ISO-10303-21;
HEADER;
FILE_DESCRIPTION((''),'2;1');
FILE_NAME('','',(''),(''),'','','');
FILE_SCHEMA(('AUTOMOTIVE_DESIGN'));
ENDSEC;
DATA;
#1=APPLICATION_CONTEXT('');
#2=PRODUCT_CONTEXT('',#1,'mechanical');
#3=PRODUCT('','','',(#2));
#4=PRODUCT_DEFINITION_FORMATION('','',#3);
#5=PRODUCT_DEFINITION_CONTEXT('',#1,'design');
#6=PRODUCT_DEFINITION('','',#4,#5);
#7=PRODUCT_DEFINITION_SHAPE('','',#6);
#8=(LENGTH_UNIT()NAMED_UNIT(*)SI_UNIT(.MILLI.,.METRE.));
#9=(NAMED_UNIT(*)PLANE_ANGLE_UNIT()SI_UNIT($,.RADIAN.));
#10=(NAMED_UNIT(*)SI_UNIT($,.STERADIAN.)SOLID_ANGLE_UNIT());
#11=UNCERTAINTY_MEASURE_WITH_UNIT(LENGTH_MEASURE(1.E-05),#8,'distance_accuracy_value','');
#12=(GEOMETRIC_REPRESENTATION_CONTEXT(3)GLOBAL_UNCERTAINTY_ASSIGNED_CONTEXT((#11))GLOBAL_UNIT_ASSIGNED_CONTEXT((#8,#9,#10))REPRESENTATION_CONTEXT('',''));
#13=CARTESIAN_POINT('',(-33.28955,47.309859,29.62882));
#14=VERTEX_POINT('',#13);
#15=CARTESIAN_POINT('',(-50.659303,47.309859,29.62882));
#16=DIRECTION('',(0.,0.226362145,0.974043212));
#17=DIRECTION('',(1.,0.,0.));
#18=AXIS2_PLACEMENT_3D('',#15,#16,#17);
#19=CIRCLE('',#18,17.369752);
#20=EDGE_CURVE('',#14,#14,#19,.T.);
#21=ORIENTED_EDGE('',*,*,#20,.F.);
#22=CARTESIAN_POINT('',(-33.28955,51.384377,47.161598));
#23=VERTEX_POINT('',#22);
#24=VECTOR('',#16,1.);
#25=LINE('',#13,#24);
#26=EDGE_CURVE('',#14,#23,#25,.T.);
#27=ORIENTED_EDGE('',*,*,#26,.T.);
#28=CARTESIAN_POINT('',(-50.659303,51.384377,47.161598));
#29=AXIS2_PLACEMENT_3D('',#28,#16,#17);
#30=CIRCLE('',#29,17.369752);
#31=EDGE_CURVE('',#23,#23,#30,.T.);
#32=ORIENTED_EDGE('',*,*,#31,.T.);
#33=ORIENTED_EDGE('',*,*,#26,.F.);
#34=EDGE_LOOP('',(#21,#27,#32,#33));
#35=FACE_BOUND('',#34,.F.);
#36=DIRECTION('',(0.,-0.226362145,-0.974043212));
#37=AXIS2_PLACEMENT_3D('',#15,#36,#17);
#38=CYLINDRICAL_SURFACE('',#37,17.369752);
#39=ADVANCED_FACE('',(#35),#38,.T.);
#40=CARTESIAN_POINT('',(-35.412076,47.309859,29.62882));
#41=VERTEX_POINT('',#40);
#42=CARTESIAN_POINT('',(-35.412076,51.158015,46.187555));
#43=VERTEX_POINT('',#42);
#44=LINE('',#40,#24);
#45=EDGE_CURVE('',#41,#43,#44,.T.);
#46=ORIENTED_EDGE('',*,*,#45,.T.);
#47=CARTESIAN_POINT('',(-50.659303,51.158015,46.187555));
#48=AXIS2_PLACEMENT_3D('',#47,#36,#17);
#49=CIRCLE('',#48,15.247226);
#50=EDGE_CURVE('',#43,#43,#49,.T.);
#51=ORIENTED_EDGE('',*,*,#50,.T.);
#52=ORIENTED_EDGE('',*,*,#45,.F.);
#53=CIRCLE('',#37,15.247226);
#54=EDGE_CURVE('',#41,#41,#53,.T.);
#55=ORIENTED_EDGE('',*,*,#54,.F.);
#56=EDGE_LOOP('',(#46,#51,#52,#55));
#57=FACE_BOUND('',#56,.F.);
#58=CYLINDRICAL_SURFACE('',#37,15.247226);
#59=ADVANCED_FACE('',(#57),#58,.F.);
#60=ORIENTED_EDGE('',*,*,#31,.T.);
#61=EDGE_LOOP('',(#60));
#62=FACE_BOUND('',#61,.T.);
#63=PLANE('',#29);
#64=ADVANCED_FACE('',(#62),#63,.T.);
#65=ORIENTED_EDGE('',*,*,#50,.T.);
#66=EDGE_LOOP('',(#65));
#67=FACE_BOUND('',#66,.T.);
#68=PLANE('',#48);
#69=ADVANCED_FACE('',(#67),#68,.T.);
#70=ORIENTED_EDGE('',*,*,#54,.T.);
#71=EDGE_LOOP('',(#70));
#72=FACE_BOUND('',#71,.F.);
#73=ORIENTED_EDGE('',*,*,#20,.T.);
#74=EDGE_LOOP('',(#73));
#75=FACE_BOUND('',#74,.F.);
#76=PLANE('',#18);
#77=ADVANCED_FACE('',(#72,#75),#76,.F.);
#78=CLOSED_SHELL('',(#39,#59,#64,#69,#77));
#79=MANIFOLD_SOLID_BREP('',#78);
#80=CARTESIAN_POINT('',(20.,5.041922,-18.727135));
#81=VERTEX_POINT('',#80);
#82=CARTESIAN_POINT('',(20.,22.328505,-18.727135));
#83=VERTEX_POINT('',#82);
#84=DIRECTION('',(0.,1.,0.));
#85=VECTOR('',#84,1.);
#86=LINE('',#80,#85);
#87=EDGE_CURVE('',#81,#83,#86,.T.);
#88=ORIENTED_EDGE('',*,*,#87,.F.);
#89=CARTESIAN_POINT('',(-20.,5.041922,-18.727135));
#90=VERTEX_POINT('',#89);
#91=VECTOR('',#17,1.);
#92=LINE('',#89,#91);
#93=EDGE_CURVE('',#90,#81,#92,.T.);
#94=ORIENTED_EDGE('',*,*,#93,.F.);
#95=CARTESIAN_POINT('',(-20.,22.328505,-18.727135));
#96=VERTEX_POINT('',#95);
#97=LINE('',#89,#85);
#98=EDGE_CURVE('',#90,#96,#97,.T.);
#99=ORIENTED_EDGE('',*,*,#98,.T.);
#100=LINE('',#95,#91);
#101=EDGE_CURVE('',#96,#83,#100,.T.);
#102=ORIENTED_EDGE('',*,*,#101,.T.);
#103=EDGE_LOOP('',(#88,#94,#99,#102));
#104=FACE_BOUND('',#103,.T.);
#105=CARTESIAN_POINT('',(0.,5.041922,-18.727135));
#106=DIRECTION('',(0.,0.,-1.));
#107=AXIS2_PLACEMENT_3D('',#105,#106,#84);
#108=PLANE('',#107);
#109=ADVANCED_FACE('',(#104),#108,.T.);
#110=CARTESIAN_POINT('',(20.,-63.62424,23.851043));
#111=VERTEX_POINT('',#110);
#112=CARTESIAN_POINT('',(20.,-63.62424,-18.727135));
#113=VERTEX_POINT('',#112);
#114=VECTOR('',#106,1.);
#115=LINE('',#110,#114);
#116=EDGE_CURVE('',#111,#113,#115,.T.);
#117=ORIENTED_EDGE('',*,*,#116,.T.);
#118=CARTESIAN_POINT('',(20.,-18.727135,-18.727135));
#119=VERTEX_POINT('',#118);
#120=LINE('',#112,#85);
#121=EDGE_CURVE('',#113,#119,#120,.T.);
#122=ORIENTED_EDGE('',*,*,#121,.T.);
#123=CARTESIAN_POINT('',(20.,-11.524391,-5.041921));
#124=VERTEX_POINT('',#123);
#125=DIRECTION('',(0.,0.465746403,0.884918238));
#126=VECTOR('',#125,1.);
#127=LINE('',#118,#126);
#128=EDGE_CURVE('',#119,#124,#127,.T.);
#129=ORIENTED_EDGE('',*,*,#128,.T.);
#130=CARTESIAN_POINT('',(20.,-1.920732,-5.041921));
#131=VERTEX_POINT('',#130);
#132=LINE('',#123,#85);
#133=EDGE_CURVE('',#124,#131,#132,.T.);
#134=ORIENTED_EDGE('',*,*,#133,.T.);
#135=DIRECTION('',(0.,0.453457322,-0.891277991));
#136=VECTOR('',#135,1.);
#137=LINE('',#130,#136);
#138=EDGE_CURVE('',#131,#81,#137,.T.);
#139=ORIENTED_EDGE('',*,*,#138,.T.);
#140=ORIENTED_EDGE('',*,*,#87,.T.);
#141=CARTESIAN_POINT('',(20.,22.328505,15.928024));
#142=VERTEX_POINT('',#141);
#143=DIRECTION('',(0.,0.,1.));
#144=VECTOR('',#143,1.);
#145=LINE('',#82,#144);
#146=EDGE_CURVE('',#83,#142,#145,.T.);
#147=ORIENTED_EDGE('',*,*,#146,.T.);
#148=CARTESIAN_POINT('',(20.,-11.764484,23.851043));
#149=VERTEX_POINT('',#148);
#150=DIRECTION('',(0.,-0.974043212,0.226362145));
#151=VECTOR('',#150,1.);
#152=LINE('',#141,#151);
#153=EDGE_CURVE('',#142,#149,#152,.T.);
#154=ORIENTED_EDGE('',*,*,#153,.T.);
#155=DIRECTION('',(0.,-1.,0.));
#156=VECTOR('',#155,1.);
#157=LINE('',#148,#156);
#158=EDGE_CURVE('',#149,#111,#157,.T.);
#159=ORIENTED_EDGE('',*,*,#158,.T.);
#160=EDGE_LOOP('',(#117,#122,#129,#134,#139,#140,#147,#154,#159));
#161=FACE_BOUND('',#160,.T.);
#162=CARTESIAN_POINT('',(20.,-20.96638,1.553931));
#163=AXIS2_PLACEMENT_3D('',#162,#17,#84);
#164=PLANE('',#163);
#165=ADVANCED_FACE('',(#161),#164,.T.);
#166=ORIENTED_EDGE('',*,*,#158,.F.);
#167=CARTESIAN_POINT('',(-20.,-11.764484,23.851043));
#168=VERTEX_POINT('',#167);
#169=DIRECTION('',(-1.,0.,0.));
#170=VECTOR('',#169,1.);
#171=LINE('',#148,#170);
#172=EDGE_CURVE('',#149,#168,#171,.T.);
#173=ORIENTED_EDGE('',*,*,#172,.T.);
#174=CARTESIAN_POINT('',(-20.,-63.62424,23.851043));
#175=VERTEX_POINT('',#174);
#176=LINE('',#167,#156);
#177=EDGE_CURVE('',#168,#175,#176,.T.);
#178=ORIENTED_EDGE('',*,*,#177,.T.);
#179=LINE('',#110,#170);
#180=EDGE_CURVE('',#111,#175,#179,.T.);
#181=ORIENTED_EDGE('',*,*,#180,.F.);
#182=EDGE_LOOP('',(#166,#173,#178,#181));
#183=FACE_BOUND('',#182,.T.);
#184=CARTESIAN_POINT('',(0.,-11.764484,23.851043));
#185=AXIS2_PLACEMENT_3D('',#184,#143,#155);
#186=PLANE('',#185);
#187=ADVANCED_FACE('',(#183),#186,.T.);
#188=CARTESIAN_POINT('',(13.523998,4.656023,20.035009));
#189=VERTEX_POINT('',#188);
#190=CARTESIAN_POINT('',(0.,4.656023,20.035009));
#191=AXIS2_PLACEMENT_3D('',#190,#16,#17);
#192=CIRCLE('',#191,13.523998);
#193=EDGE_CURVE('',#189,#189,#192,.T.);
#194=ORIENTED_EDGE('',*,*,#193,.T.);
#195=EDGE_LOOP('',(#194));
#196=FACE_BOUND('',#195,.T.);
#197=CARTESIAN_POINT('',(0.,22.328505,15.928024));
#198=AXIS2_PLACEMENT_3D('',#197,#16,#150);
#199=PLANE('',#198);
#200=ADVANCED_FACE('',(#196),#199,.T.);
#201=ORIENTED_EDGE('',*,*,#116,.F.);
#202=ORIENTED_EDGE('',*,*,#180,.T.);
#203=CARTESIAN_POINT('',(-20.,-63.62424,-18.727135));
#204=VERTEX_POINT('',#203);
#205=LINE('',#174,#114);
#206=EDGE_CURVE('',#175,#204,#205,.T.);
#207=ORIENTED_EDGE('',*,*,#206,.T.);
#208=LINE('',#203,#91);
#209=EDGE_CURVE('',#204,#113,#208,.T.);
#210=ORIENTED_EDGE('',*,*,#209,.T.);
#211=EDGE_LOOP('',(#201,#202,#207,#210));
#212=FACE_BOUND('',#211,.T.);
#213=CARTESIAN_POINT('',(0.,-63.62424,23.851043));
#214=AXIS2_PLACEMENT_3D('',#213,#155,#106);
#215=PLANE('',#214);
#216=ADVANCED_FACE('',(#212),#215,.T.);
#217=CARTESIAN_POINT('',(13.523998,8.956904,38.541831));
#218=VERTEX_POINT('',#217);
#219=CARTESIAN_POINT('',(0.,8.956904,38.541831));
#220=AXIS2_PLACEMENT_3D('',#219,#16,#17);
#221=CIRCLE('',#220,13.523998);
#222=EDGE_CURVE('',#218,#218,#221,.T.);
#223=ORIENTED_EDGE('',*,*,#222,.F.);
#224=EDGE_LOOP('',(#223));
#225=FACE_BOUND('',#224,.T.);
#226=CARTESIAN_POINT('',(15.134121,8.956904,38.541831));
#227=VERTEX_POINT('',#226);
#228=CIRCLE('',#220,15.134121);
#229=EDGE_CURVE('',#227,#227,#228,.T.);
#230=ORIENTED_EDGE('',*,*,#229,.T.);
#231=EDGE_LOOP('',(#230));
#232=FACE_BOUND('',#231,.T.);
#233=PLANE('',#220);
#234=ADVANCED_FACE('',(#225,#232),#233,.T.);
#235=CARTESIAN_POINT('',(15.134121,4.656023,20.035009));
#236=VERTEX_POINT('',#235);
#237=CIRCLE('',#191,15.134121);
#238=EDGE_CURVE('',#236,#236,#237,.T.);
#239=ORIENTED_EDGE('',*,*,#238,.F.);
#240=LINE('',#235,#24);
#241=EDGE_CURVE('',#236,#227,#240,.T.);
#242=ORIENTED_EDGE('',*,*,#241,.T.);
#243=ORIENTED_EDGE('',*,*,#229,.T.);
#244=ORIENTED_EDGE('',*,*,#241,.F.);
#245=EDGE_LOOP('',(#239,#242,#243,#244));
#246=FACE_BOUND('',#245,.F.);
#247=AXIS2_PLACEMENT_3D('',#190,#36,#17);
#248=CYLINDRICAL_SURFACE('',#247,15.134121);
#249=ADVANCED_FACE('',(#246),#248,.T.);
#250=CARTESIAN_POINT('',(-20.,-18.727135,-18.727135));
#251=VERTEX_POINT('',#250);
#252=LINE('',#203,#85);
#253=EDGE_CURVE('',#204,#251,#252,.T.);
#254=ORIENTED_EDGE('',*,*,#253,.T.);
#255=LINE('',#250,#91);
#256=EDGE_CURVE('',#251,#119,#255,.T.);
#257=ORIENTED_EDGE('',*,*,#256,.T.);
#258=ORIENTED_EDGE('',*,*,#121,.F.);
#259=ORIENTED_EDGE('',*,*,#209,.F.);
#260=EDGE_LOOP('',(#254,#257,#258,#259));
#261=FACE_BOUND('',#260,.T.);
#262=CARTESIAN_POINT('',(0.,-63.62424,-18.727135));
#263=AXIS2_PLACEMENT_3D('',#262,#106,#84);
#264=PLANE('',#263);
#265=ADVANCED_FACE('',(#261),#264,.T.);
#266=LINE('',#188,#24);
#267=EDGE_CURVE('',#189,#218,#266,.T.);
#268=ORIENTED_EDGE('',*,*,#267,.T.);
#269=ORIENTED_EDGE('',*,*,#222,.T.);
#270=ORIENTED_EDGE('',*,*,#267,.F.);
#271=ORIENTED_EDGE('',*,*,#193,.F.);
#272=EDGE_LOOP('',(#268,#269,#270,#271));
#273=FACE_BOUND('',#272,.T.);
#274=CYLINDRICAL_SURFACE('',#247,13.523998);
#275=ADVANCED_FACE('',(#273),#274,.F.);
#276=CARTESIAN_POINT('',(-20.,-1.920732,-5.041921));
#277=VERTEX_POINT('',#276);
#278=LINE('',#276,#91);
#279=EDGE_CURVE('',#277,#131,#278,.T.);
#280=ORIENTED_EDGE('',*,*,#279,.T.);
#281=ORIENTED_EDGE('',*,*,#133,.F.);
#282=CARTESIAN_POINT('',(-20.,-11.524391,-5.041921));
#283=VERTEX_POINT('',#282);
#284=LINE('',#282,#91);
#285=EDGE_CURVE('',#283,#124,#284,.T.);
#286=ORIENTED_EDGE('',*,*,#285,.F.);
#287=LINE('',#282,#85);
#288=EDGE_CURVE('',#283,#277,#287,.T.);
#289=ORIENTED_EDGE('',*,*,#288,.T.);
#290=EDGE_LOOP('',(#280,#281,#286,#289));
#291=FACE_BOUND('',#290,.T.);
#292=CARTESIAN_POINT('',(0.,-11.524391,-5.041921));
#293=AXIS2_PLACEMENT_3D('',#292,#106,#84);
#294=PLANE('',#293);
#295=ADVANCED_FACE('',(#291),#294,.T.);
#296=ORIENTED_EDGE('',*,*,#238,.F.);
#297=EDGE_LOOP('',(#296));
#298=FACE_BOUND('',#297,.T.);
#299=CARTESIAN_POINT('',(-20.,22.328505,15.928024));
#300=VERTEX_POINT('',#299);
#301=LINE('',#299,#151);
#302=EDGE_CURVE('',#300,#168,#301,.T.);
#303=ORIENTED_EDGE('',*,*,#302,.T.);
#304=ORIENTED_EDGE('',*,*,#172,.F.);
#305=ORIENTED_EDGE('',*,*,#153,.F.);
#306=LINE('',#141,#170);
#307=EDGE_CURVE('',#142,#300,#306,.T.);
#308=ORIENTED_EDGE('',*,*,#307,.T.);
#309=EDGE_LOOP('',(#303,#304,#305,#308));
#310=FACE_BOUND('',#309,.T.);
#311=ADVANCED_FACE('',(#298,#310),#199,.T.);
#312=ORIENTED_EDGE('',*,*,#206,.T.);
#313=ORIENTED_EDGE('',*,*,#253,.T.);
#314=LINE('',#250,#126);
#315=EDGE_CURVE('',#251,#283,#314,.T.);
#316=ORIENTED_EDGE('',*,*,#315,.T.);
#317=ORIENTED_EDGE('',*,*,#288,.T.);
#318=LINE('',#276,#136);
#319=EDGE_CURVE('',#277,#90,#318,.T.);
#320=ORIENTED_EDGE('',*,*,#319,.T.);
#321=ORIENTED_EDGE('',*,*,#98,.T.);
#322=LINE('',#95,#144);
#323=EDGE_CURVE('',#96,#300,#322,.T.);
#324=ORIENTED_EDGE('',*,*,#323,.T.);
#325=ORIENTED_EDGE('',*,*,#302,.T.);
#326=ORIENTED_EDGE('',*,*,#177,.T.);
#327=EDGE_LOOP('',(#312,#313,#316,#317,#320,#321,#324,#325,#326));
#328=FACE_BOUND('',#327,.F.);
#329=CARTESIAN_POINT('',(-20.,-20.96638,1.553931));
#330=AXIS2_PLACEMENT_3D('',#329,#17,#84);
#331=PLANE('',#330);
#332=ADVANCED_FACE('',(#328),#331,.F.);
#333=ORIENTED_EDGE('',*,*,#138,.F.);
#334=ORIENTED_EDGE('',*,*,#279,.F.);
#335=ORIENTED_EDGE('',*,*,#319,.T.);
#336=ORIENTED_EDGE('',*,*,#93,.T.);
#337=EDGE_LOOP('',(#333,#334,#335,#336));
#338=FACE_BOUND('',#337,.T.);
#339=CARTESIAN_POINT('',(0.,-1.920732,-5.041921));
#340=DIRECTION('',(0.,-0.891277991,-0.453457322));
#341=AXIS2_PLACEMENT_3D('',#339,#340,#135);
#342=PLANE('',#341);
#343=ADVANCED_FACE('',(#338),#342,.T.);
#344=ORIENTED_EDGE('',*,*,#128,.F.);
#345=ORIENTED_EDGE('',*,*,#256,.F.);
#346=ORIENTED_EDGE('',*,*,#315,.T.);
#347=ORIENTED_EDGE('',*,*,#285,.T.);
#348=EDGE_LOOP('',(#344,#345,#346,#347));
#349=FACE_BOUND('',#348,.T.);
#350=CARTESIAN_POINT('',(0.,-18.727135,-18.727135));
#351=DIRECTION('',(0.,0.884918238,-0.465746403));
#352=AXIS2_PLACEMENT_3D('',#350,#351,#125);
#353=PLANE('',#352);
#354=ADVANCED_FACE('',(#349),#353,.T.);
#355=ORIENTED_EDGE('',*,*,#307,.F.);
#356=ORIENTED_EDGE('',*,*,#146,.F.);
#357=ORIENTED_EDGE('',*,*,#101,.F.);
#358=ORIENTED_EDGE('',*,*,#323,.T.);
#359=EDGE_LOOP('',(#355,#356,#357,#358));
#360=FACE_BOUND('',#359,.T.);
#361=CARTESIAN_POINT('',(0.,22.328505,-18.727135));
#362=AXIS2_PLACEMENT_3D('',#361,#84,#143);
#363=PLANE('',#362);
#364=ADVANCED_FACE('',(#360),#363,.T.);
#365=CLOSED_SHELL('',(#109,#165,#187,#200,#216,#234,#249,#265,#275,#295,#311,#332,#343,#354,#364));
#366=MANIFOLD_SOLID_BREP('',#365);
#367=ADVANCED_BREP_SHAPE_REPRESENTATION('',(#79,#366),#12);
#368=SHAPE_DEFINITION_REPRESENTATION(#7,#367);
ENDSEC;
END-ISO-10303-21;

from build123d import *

# Parameters (mm, degrees)
F1_DEPTH = 20
F2_R     = 15.1341211979
F2_R_2   = 13.5239981161
F3_DEPTH = 19
F4_R     = 17.3697524292
F5_DEPTH = 18
F6_R     = 15.2472264347
F7_DEPTH = 17


with BuildPart() as f1:
    # F0 (on Right) → F1 (new body, symmetric)
    with BuildSketch(Plane.YZ):
        Polygon((-63.624240458, 23.85104257), (-63.624240458, -18.7271349132), (-18.7271349132, -18.7271349132), (-11.5243913606, -5.0419210456), (-1.9207322039, -5.0419210456), (5.041921977, -18.7271349132), (22.3285052925, -18.7271349132), (22.3285052925, 15.9280243827), (-11.7644835263, 23.85104257), align=None)
    extrude(amount=F1_DEPTH, both=True)

    # F2 (on face) → F3 (join)
    with BuildSketch(Plane(origin=(0, 4.6560231333, 20.0350094965), x_dir=(1, 0, 0), z_dir=(0, 0.2263621452, 0.9740432122))):
        Circle(F2_R)
        Circle(F2_R_2, mode=Mode.SUBTRACT)
    extrude(amount=F3_DEPTH)


with BuildPart() as f5:
    # F4 (on face) → F5 (new body)
    with BuildSketch(Plane(origin=(0, 8.9569038921, 38.5418305281), x_dir=(1, 0, 0), z_dir=(0, 0.2263621452, 0.9740432122))):
        with Locations((-50.6593026221, 39.3750034273)):
            Circle(F4_R)
    extrude(amount=F5_DEPTH)

    # F6 (on face) → F7 (cut)
    with BuildSketch(Plane(origin=(0, 8.9569038921, 38.5418305281), x_dir=(1, 0, 0), z_dir=(0, -0.2263621452, -0.9740432122))):
        with Locations((-50.6593026221, -39.3750034273)):
            Circle(F6_R)
    extrude(amount=-F7_DEPTH, mode=Mode.SUBTRACT)


solid = Compound([f1.part, f5.part])
